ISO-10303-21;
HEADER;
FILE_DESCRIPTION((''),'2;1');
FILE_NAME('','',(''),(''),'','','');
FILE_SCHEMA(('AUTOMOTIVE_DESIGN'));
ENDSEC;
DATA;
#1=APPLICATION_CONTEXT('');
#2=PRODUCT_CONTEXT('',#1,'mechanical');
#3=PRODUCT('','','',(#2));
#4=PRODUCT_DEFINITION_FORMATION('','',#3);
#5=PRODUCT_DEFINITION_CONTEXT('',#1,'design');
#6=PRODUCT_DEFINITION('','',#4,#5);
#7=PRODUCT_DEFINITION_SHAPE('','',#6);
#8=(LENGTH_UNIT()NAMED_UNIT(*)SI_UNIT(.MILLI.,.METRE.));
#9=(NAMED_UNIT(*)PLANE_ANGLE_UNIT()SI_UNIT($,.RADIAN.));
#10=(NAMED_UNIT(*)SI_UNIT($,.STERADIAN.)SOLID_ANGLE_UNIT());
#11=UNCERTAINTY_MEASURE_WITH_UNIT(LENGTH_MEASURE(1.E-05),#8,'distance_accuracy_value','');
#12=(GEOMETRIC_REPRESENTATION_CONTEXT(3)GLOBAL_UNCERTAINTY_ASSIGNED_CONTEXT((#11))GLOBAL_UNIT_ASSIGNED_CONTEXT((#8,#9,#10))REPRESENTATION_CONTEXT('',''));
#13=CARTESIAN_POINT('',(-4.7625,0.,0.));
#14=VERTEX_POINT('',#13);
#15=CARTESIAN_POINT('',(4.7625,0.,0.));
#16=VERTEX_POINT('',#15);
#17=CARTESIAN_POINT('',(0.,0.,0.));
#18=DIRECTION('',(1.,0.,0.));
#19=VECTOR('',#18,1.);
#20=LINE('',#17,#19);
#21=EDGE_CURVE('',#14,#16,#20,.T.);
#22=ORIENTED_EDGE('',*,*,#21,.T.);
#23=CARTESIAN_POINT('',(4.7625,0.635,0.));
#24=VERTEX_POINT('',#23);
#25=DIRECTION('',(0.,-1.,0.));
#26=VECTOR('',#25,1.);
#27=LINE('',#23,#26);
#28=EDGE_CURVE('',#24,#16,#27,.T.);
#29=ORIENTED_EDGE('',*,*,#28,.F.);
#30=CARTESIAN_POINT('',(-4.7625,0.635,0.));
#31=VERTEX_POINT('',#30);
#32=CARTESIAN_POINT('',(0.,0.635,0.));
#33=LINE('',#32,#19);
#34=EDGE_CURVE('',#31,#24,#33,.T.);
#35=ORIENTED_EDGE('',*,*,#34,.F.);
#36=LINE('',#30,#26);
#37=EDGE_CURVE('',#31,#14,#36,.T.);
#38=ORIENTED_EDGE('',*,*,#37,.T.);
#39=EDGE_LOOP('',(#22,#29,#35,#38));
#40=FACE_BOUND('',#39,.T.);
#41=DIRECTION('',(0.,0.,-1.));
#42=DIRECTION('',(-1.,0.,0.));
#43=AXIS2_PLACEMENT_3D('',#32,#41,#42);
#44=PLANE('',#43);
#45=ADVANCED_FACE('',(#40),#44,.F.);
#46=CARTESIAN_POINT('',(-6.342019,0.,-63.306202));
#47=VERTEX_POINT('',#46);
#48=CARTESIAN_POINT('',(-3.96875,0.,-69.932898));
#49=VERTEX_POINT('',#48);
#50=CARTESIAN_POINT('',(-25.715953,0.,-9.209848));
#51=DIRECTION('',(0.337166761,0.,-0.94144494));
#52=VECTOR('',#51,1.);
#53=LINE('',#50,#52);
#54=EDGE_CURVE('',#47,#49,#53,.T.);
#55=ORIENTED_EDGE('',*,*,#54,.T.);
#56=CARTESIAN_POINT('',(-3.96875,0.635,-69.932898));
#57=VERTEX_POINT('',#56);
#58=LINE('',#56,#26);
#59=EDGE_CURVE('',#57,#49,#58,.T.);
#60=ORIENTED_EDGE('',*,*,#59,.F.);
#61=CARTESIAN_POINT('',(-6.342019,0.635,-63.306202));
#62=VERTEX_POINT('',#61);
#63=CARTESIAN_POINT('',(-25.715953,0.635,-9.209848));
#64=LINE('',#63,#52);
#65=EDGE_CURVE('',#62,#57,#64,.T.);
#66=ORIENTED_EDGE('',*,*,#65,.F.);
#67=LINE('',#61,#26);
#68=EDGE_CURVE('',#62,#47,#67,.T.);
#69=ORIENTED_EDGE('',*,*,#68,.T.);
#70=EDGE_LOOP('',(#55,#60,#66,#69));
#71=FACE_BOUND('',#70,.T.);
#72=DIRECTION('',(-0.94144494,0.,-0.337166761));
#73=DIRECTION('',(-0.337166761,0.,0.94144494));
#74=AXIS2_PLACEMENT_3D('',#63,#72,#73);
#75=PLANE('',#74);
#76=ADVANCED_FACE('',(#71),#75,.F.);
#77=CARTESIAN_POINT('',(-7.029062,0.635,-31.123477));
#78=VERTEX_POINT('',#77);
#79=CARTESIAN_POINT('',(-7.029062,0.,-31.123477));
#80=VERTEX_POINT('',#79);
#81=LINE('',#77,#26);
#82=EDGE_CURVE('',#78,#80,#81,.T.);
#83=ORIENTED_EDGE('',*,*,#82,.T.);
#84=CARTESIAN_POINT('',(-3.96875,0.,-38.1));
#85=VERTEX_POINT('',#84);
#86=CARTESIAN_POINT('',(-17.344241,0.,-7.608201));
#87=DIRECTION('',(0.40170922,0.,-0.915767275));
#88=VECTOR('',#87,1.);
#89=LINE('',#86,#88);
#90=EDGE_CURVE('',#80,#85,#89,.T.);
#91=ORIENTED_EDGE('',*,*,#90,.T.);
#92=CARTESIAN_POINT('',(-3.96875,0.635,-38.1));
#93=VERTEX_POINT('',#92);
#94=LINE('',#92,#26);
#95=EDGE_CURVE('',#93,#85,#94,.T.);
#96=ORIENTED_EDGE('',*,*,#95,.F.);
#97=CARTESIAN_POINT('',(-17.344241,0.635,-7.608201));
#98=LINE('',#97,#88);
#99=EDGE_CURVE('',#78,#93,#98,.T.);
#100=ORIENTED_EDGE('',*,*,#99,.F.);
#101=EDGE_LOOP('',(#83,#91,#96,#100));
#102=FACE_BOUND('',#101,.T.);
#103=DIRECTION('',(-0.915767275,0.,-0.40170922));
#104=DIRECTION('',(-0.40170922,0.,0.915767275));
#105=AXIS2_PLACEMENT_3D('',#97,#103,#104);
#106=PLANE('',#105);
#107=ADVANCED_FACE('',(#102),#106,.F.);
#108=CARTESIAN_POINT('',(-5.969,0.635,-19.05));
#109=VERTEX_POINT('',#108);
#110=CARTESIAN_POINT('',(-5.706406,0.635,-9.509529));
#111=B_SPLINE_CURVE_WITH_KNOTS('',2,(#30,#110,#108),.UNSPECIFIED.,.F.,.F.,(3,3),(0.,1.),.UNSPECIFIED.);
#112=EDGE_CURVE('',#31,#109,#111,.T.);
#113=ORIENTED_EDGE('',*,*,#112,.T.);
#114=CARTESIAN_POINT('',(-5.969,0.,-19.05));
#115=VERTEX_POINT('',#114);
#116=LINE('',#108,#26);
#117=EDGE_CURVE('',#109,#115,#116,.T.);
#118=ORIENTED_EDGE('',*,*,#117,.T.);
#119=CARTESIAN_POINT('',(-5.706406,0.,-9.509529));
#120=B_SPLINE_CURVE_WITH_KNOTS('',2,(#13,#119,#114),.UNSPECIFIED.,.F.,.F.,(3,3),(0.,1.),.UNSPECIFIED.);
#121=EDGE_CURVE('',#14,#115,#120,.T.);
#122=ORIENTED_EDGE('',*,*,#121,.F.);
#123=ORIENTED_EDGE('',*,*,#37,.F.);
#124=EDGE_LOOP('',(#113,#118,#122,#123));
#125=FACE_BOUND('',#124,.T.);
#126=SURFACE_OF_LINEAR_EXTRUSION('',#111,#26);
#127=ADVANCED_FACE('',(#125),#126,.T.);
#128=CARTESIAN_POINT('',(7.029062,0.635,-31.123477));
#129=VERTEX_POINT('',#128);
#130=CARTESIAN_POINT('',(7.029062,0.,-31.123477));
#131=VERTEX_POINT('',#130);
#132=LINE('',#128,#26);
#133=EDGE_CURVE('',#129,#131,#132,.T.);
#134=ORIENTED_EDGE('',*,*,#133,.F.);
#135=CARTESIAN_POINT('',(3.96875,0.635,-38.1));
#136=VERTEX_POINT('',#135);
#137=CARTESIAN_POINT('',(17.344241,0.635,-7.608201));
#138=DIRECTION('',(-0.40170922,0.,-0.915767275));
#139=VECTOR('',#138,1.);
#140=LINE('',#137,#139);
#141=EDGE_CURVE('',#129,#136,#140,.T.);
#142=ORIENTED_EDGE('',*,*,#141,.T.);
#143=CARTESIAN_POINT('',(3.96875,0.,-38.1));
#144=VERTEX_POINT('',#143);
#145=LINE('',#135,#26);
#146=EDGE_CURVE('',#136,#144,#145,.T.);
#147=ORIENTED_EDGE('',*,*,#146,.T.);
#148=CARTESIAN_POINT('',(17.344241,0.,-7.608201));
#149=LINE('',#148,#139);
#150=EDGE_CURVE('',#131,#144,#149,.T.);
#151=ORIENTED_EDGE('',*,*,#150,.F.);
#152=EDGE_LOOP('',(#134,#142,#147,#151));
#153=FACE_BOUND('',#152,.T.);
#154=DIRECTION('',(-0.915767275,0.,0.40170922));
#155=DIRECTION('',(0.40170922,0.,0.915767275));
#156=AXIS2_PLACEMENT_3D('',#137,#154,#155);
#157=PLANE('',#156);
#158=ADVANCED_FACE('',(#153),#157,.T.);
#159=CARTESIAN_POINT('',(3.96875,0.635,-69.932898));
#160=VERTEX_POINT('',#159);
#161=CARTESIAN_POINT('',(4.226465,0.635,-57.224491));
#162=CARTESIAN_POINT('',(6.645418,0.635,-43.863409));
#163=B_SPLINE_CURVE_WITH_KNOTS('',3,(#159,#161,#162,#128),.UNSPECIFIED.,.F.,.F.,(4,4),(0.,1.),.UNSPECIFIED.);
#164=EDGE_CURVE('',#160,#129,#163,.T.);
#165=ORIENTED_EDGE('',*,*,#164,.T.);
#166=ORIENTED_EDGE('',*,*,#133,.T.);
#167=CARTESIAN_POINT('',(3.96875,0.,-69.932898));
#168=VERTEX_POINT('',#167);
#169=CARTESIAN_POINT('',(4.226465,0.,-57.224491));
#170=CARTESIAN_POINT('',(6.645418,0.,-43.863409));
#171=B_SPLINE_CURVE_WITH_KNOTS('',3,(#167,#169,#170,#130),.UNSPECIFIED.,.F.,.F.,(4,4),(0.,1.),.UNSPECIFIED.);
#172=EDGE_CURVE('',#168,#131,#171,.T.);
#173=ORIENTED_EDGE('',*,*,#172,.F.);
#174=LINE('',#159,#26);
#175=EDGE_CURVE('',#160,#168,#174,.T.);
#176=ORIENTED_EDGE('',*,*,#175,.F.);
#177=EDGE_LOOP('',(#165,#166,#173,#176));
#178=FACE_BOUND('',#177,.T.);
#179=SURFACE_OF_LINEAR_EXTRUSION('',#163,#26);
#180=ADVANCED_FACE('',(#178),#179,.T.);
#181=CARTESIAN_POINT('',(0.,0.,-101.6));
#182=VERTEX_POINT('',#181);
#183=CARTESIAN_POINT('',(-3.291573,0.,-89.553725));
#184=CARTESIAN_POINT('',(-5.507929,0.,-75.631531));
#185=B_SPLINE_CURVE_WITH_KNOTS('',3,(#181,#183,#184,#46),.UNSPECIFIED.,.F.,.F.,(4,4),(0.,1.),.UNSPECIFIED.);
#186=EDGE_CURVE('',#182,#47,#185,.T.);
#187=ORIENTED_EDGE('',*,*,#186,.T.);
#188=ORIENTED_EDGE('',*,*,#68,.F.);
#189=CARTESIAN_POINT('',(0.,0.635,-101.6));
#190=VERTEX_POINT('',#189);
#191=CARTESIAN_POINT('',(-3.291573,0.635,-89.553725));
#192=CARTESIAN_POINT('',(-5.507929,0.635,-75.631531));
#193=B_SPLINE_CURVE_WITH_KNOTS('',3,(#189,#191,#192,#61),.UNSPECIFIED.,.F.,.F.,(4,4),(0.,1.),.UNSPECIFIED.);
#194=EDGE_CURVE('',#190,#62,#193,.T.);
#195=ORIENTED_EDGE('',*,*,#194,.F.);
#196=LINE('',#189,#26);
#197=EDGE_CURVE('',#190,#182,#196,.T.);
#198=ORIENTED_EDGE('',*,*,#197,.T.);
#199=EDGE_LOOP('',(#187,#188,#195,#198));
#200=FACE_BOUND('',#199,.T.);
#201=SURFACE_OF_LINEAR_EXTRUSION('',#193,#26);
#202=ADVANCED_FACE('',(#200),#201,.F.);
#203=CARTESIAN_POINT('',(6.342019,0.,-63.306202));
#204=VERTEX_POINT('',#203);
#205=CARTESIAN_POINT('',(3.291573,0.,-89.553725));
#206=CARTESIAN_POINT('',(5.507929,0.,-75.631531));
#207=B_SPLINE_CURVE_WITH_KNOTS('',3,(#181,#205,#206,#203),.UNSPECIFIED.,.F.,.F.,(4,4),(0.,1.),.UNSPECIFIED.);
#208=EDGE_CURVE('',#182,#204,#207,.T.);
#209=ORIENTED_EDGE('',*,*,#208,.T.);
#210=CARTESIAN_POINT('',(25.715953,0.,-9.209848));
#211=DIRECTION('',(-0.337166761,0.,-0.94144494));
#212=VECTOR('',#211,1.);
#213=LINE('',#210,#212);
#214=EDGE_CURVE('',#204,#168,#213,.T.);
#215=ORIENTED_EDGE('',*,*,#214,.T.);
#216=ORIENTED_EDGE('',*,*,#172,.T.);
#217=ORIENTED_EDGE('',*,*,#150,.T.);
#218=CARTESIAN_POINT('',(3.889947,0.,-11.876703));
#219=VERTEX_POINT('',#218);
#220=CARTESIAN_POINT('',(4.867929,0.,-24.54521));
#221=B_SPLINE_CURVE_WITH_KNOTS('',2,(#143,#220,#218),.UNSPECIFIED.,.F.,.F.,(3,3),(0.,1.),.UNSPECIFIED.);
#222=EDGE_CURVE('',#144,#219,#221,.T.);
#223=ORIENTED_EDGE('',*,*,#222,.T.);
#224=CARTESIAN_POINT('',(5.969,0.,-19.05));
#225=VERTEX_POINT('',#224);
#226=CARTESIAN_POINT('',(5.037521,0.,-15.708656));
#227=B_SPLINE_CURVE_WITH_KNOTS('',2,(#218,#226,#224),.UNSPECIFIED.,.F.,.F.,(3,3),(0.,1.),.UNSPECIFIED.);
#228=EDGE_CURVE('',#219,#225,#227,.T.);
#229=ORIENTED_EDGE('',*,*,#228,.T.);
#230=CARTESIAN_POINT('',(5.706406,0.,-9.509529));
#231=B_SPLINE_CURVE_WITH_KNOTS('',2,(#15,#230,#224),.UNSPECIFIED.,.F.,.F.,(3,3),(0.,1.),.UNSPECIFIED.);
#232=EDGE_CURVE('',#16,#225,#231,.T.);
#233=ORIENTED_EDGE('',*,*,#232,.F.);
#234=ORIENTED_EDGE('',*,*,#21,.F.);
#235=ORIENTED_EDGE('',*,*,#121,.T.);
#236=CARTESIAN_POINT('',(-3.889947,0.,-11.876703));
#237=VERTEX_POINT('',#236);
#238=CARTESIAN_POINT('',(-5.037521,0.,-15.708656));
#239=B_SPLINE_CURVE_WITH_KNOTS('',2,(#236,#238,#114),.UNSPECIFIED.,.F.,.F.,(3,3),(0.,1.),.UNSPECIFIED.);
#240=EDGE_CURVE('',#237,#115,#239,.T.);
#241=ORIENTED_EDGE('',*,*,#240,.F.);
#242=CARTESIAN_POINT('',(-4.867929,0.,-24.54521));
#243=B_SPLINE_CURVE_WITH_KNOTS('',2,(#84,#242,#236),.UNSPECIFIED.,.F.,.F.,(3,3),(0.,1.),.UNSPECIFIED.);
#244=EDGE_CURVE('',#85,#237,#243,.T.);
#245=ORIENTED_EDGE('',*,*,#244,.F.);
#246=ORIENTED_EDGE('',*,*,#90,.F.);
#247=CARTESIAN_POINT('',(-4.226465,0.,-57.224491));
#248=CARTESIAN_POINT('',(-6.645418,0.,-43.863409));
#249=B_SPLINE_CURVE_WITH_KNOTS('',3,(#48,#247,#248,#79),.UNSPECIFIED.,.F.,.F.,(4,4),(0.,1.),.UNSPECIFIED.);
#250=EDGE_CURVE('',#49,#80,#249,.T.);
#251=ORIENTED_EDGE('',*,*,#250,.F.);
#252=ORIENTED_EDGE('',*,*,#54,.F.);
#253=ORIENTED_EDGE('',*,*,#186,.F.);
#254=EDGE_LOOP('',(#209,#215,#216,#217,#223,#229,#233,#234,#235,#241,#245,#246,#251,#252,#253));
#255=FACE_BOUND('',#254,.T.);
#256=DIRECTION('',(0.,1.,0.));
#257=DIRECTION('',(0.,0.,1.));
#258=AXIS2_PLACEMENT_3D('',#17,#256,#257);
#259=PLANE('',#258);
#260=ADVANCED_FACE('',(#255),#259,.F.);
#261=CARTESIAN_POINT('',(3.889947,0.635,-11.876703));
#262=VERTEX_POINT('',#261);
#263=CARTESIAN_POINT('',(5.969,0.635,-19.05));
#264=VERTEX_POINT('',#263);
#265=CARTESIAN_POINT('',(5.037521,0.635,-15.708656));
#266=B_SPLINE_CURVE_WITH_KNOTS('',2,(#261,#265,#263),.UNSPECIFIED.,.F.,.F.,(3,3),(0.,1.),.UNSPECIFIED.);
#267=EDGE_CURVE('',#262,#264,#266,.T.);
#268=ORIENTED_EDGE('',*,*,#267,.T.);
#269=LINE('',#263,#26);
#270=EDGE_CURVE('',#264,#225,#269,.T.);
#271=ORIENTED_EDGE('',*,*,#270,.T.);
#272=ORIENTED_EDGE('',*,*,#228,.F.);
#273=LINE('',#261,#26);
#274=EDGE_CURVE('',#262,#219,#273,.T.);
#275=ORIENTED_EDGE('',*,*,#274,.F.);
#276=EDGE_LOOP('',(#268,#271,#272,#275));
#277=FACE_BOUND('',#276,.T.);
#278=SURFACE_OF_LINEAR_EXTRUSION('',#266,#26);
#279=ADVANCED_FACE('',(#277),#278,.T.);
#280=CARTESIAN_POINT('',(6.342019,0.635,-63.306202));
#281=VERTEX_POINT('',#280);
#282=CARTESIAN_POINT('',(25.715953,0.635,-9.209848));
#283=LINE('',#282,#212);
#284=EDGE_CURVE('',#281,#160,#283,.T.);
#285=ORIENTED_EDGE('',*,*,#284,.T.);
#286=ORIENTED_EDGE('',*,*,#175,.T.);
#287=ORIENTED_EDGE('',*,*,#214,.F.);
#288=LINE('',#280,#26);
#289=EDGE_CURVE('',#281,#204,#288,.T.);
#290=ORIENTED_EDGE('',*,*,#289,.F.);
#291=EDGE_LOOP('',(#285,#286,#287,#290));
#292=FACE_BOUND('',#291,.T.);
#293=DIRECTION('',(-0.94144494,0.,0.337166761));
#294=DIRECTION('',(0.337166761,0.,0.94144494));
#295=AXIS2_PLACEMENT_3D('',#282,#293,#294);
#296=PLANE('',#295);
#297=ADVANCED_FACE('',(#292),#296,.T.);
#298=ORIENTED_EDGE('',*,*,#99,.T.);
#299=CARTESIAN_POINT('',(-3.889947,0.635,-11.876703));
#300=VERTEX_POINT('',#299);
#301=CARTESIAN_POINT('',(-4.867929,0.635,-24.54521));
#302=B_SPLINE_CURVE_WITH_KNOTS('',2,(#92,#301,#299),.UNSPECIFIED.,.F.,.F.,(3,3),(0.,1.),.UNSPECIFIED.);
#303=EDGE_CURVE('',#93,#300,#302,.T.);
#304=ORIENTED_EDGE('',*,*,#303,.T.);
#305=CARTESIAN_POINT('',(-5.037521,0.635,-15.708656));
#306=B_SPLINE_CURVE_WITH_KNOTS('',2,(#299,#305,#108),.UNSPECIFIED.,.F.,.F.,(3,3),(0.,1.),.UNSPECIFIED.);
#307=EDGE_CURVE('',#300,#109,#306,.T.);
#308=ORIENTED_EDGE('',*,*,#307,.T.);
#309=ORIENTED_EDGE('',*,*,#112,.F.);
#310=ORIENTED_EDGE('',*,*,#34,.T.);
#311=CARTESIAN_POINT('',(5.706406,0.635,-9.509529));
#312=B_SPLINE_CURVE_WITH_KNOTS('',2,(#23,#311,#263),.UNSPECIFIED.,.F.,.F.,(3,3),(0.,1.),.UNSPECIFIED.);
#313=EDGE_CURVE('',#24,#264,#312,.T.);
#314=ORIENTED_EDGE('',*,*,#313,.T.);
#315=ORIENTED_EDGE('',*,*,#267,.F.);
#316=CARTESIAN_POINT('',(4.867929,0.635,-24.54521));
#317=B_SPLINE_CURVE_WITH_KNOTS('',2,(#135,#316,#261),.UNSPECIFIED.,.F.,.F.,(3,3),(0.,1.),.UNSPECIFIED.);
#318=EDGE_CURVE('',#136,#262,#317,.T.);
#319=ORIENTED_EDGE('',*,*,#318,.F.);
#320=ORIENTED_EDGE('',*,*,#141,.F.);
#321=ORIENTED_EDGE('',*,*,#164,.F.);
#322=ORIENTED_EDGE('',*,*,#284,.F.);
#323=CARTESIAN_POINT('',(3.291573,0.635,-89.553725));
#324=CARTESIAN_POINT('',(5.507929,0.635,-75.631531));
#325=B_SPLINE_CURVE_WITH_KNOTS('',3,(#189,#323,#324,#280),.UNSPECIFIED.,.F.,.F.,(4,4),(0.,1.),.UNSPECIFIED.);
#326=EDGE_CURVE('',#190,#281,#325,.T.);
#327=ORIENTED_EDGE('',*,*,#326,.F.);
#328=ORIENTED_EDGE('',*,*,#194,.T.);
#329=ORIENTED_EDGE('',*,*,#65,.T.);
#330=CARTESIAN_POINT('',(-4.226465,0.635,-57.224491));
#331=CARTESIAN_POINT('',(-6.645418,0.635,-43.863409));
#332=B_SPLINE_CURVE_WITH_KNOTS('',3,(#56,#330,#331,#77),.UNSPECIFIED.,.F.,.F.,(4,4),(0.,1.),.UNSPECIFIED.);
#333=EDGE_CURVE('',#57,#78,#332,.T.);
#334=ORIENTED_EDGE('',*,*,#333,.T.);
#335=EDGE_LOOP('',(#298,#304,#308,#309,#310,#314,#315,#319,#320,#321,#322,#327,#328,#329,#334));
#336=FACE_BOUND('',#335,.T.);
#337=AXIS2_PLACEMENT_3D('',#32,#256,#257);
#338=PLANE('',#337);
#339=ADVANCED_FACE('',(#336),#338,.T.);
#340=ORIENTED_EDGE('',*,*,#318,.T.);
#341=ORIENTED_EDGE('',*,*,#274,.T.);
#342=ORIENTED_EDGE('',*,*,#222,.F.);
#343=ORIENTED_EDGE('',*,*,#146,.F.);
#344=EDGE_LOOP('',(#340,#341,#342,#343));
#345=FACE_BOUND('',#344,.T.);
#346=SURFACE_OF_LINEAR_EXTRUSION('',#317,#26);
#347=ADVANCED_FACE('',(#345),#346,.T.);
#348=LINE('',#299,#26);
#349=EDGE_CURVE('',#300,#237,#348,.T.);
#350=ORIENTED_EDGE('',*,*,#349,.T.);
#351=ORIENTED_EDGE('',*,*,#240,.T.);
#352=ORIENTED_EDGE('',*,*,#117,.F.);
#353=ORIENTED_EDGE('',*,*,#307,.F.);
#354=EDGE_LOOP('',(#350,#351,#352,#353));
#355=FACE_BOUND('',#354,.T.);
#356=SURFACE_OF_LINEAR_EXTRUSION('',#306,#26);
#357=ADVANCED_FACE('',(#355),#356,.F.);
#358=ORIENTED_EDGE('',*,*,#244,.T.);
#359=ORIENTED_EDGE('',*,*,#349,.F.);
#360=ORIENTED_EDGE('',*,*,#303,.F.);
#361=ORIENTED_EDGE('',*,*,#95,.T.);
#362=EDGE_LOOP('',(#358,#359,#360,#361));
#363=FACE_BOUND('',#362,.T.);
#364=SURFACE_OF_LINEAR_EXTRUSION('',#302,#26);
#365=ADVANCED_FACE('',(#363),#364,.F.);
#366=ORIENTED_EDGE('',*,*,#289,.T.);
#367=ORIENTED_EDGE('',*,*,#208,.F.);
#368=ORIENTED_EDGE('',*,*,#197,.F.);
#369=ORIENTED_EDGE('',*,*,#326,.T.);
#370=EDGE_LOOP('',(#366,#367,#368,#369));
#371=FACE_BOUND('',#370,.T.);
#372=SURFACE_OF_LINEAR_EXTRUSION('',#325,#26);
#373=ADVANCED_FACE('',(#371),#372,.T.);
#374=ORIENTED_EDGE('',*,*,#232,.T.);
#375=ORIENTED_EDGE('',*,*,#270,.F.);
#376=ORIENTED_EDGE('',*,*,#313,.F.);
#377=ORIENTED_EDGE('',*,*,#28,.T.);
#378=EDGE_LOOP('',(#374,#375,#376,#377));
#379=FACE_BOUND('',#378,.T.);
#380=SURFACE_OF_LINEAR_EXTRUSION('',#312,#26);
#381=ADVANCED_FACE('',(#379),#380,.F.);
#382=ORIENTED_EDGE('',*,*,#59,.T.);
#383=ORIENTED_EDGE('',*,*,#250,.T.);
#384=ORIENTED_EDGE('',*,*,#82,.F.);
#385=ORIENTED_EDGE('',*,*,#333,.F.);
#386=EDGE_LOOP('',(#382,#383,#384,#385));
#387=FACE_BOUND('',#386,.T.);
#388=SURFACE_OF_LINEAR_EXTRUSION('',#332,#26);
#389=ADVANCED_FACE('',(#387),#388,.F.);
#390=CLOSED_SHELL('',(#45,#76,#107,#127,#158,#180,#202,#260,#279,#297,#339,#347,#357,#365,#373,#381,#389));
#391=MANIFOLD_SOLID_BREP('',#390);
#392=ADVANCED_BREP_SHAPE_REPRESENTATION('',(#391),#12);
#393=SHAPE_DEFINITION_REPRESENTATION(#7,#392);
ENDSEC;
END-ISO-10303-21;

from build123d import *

# Parameters (mm, degrees)
BOSS_EXTRUDE1_DEPTH = 0.635


with BuildPart() as part:
    # Sketch1 → Boss-Extrude1 (new body)
    with BuildSketch(Plane(origin=(0, 0, 0), x_dir=(1, 0, 0), z_dir=(0, 1, 0))):
        with BuildLine():
            Line((-4.7625, 0), (0, 0))
            Line((0, 0), (0, 101.6))
            add(Edge.make_bspline(
                [(0, 101.6), (-3.29157344, 89.553724647), (-5.507928579, 75.631531474), (-6.342018648, 63.306201638)],
                knots=[0, 0, 0, 0, 1, 1, 1, 1], degree=3))
            Line((-6.342018648, 63.306201638), (-3.96875, 69.932898034))
            add(Edge.make_bspline(
                [(-3.96875, 69.932898034), (-4.226464503, 57.224491344), (-6.645417813, 43.863409348), (-7.029062123, 31.123476805)],
                knots=[0, 0, 0, 0, 1, 1, 1, 1], degree=3))
            Line((-7.029062123, 31.123476805), (-3.96875, 38.1))
            add(Edge.make_bspline(
                [(-3.96875, 38.1), (-4.867929466, 24.545209762), (-3.889947106, 11.87670313)],
                knots=[0, 0, 0, 1, 1, 1], degree=2))
            add(Edge.make_bspline(
                [(-3.889947106, 11.87670313), (-5.03752141, 15.708655714), (-5.969, 19.05)],
                knots=[0, 0, 0, 1, 1, 1], degree=2))
            add(Edge.make_bspline(
                [(-4.7625, 0), (-5.706405824, 9.509529369), (-5.969, 19.05)],
                knots=[0, 0, 0, 1, 1, 1], degree=2))
        make_face()
        with BuildLine():
            Line((0, 101.6), (0, 0))
            Line((0, 0), (4.7625, 0))
            add(Edge.make_bspline(
                [(4.7625, 0), (5.706405824, 9.509529369), (5.969, 19.05)],
                knots=[0, 0, 0, 1, 1, 1], degree=2))
            add(Edge.make_bspline(
                [(3.889947106, 11.87670313), (5.03752141, 15.708655714), (5.969, 19.05)],
                knots=[0, 0, 0, 1, 1, 1], degree=2))
            add(Edge.make_bspline(
                [(3.96875, 38.1), (4.867929466, 24.545209762), (3.889947106, 11.87670313)],
                knots=[0, 0, 0, 1, 1, 1], degree=2))
            Line((3.96875, 38.1), (7.029062123, 31.123476805))
            add(Edge.make_bspline(
                [(3.96875, 69.932898034), (4.226464503, 57.224491344), (6.645417813, 43.863409348), (7.029062123, 31.123476805)],
                knots=[0, 0, 0, 0, 1, 1, 1, 1], degree=3))
            Line((3.96875, 69.932898034), (6.342018648, 63.306201638))
            add(Edge.make_bspline(
                [(0, 101.6), (3.29157344, 89.553724647), (5.507928579, 75.631531474), (6.342018648, 63.306201638)],
                knots=[0, 0, 0, 0, 1, 1, 1, 1], degree=3))
        make_face()
    extrude(amount=BOSS_EXTRUDE1_DEPTH)


solid = part.part
